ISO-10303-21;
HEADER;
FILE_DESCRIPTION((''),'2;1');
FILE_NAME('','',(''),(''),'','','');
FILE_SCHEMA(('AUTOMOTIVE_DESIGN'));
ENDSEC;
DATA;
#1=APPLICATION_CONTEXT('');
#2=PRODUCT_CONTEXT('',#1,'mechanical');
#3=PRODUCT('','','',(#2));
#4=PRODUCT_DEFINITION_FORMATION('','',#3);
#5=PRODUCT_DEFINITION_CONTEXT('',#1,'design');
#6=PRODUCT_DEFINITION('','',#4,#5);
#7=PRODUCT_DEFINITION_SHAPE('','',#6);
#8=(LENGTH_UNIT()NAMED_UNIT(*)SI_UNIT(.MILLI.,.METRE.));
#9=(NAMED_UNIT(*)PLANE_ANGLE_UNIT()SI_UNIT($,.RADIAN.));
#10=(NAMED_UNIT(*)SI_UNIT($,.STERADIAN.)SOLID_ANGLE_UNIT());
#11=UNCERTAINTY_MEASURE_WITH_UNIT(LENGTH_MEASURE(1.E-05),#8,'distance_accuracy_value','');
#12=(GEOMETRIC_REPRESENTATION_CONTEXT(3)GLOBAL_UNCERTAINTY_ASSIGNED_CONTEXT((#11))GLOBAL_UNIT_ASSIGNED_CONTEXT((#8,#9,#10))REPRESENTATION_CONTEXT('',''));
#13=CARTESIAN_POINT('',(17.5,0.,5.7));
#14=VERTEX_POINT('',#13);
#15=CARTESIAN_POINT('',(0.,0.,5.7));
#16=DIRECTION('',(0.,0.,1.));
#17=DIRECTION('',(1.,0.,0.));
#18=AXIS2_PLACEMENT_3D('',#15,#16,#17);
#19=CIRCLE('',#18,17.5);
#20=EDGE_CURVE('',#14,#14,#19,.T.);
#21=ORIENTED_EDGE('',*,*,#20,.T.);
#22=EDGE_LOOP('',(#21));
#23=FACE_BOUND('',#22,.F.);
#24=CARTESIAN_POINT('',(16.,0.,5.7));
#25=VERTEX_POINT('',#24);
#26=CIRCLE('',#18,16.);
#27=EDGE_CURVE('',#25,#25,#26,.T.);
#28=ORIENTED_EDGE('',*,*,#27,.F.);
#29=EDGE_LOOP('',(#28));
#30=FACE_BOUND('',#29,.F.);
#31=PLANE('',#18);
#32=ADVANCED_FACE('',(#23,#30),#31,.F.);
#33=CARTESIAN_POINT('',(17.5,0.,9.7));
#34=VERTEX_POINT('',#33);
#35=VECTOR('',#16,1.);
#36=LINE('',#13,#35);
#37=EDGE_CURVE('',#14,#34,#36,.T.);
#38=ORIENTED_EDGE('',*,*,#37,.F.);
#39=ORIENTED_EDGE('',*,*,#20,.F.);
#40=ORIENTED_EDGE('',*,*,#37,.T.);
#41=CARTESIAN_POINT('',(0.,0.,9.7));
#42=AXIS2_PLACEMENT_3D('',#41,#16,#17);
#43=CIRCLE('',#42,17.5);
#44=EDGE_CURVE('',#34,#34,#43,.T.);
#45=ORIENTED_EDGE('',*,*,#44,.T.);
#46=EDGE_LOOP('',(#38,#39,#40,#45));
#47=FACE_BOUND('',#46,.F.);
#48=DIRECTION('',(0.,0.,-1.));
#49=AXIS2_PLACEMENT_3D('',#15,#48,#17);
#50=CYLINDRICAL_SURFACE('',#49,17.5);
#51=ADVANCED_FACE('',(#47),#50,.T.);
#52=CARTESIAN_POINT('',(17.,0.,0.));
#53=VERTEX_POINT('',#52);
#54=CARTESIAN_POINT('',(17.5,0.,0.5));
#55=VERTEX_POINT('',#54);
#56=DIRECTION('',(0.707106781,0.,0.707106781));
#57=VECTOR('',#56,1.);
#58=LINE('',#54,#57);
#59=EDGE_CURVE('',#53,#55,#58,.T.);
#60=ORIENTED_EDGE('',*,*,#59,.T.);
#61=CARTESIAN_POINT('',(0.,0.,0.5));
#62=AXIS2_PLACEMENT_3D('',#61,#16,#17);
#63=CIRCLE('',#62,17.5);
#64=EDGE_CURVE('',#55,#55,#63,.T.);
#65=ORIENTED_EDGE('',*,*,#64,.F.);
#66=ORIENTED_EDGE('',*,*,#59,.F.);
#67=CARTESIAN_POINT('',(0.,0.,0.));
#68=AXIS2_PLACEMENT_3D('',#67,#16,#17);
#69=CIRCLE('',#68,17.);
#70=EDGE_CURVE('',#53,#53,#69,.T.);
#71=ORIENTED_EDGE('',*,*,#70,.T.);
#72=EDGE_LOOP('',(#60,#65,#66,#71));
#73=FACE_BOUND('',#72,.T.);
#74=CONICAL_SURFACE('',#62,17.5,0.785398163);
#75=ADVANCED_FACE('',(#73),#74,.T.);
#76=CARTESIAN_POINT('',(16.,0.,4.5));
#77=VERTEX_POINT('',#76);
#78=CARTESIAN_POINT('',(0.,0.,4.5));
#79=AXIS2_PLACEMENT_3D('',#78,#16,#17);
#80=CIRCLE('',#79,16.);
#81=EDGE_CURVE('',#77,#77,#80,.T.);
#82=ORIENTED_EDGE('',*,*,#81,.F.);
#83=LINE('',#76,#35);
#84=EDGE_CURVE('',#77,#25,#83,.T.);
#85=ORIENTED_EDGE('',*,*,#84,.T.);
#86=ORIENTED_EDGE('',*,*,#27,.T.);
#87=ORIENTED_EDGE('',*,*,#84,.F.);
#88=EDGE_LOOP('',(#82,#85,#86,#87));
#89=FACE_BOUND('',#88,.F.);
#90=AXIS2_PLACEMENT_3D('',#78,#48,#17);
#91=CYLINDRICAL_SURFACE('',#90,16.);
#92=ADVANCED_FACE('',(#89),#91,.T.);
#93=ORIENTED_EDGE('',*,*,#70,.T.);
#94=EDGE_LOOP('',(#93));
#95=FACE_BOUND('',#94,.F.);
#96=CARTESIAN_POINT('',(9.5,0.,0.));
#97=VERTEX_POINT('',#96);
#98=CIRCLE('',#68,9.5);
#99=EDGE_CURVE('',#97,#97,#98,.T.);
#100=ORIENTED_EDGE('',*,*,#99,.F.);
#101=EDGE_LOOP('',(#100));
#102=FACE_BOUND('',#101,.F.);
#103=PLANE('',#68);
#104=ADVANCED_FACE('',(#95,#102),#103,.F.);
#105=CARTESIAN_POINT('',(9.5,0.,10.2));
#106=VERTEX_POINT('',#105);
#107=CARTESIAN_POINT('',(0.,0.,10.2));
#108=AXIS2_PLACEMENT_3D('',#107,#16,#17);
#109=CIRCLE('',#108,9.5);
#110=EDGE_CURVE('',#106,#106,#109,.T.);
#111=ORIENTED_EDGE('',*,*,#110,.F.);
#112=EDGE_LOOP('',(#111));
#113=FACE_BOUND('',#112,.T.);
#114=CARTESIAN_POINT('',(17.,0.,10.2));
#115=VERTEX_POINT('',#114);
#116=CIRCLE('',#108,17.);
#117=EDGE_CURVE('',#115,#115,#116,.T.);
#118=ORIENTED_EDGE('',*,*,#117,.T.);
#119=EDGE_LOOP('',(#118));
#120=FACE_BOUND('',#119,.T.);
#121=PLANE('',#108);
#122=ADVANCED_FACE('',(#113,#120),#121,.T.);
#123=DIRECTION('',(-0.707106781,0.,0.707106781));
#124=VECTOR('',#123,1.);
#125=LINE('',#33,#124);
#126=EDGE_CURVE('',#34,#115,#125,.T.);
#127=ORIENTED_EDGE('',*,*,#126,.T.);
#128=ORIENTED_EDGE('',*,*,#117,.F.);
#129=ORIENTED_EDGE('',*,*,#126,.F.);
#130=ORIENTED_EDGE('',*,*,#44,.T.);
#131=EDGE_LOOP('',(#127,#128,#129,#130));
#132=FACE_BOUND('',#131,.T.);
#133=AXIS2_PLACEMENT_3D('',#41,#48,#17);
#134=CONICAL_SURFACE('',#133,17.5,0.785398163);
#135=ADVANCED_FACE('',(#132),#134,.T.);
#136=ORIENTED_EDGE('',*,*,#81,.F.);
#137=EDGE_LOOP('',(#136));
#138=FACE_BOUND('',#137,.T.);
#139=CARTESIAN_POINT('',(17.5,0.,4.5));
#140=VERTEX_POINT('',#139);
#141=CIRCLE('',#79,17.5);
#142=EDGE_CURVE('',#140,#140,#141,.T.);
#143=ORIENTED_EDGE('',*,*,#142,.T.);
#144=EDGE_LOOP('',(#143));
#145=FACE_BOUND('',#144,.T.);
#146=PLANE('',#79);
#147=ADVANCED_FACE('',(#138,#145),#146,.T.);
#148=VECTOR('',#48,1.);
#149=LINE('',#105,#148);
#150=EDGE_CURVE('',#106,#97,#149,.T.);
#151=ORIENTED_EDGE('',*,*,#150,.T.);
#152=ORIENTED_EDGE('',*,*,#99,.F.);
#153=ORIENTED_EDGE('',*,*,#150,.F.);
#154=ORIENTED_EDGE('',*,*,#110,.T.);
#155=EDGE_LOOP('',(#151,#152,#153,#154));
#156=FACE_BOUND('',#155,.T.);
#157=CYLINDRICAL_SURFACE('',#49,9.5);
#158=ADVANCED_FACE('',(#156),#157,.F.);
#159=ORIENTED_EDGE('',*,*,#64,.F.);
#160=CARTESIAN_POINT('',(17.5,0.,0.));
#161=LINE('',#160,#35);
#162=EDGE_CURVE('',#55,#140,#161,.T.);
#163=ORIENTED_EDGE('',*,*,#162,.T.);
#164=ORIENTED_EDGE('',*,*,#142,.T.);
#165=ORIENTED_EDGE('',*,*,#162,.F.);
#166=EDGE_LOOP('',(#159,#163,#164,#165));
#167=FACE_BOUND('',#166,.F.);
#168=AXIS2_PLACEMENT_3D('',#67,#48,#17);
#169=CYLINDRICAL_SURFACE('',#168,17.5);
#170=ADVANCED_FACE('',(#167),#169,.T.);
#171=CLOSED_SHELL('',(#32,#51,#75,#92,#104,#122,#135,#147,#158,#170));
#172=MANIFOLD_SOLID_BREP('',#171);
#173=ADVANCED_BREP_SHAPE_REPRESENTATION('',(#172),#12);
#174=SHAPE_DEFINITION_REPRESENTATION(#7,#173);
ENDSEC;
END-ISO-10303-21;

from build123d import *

# Parameters (mm, degrees)
F0_R     = 17.5
F0_R_2   = 9.5
F1_DEPTH = 4.5
F2_R     = 16
F2_R_2   = 9.5
F3_DEPTH = 1.2
F4_R     = 17.5
F4_R_2   = 9.5
F5_DEPTH = 4.5
F6_SIZE  = 0.5


with BuildPart() as f1:
    # F0 (on Top) → F1 (new body)
    with BuildSketch(Plane.XY):
        Circle(F0_R)
        Circle(F0_R_2, mode=Mode.SUBTRACT)
    extrude(amount=F1_DEPTH)

    # F2 (on face) → F3 (join)
    with BuildSketch(Plane.XY.offset(4.5)):
        Circle(F2_R)
        Circle(F2_R_2, mode=Mode.SUBTRACT)
    extrude(amount=F3_DEPTH)

    # F4 (on face) → F5 (join)
    with BuildSketch(Plane.XY.offset(5.7)):
        Circle(F4_R)
        Circle(F4_R_2, mode=Mode.SUBTRACT)
    extrude(amount=F5_DEPTH)

    # F6
    f6_edges = [f1.edges().sort_by_distance(p)[0] for p in [
        (-17.5, 0, 10.2),
        (-17.5, 0, 0),
    ]]
    chamfer(f6_edges, length=F6_SIZE)


solid = f1.part
